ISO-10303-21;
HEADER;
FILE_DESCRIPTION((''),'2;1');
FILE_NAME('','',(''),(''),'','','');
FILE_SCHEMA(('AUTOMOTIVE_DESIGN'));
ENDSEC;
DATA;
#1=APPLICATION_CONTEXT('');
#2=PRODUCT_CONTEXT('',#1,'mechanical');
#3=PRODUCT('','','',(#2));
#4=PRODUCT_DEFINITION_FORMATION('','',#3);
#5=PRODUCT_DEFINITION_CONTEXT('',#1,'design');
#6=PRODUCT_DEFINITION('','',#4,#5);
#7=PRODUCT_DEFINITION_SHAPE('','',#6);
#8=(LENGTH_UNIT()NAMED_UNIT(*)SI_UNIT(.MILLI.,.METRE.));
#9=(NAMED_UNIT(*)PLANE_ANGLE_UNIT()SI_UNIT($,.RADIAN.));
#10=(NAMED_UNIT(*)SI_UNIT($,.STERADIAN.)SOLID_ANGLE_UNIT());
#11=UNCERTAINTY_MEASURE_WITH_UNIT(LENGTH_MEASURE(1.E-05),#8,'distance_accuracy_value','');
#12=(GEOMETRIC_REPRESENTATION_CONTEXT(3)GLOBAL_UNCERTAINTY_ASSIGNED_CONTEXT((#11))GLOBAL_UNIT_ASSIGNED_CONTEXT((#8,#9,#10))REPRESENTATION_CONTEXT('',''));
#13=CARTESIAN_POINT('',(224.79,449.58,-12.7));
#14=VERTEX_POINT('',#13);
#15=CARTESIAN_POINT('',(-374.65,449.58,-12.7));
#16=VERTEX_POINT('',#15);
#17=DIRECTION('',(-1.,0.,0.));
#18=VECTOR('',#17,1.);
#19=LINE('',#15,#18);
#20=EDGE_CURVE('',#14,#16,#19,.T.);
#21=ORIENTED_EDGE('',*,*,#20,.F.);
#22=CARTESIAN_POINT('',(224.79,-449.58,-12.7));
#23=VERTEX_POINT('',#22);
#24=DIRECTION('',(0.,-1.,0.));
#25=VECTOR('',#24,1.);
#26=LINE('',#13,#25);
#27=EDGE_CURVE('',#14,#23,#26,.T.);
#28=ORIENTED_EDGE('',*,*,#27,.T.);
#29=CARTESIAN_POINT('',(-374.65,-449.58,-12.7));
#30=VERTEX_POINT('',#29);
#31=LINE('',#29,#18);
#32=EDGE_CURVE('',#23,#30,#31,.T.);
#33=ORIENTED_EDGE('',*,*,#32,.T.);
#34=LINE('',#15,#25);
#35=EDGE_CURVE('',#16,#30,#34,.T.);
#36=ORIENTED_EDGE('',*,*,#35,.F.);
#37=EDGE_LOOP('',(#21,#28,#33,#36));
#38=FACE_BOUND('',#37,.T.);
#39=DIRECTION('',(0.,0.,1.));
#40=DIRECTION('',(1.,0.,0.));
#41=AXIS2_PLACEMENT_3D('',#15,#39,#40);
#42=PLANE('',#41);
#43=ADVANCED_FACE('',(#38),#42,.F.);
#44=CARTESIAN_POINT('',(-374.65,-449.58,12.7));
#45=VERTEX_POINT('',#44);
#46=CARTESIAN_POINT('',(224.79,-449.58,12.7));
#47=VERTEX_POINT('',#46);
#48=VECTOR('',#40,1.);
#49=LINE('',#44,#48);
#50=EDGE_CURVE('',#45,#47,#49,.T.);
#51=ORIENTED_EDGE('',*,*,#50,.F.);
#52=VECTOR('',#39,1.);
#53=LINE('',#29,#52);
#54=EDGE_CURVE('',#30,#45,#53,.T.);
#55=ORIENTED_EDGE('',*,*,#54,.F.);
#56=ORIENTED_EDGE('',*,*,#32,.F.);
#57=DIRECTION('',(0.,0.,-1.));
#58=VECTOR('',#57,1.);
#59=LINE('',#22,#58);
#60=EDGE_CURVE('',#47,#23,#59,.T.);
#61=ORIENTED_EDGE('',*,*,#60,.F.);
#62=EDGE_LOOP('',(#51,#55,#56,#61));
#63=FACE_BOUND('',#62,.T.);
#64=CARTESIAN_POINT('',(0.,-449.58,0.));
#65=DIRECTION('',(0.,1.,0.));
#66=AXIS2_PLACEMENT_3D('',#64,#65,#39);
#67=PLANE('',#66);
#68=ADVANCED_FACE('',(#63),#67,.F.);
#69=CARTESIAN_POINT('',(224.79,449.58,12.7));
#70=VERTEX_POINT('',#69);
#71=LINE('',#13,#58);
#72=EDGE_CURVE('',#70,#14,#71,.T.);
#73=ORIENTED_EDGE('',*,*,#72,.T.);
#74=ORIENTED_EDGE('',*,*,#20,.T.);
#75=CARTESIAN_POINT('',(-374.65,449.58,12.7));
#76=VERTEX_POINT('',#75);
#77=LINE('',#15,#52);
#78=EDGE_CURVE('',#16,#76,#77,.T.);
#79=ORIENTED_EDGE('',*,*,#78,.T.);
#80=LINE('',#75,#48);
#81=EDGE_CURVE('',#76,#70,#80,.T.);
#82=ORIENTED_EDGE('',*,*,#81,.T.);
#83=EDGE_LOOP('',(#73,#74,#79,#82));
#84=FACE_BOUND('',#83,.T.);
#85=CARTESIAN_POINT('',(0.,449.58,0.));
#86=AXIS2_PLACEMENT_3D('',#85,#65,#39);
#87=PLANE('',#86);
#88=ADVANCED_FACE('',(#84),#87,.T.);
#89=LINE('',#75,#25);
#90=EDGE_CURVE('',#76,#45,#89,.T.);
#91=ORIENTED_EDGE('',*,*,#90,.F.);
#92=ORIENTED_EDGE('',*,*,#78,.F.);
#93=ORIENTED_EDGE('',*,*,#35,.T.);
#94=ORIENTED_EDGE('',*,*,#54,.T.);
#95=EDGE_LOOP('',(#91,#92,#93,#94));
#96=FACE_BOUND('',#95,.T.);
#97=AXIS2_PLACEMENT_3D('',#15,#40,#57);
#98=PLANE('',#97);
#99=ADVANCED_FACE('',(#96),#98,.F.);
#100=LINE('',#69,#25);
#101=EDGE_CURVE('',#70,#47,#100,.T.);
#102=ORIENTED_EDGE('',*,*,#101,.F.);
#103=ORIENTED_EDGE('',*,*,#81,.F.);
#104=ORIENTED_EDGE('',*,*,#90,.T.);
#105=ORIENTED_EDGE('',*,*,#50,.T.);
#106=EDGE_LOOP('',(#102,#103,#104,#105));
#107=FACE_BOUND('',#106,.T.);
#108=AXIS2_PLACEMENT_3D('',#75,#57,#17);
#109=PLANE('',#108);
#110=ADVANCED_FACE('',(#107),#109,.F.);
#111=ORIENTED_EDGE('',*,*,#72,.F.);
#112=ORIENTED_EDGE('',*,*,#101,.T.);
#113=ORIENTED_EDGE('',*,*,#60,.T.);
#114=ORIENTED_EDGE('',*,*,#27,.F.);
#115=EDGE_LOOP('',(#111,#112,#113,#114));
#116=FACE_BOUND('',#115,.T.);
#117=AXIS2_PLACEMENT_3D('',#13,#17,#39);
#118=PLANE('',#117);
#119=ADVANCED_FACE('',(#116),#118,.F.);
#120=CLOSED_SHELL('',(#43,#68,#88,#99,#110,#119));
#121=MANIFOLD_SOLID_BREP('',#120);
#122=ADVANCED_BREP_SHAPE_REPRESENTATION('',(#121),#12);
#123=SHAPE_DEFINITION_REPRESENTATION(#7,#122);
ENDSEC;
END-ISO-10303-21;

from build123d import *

# Parameters (mm, degrees)
SKETCH1_W           = 599.44
SKETCH1_H           = 25.4
BOSS_EXTRUDE1_DEPTH = 449.58


with BuildPart() as part:
    # Sketch1 → Boss-Extrude1 (new, symmetric)
    with BuildSketch(Plane(origin=(0, 0, 0), x_dir=(1, 0, 0), z_dir=(0, 1, 0))):
        with Locations((-74.93, 0)):
            Rectangle(SKETCH1_W, SKETCH1_H)
    extrude(amount=BOSS_EXTRUDE1_DEPTH, both=True)


solid = part.part
